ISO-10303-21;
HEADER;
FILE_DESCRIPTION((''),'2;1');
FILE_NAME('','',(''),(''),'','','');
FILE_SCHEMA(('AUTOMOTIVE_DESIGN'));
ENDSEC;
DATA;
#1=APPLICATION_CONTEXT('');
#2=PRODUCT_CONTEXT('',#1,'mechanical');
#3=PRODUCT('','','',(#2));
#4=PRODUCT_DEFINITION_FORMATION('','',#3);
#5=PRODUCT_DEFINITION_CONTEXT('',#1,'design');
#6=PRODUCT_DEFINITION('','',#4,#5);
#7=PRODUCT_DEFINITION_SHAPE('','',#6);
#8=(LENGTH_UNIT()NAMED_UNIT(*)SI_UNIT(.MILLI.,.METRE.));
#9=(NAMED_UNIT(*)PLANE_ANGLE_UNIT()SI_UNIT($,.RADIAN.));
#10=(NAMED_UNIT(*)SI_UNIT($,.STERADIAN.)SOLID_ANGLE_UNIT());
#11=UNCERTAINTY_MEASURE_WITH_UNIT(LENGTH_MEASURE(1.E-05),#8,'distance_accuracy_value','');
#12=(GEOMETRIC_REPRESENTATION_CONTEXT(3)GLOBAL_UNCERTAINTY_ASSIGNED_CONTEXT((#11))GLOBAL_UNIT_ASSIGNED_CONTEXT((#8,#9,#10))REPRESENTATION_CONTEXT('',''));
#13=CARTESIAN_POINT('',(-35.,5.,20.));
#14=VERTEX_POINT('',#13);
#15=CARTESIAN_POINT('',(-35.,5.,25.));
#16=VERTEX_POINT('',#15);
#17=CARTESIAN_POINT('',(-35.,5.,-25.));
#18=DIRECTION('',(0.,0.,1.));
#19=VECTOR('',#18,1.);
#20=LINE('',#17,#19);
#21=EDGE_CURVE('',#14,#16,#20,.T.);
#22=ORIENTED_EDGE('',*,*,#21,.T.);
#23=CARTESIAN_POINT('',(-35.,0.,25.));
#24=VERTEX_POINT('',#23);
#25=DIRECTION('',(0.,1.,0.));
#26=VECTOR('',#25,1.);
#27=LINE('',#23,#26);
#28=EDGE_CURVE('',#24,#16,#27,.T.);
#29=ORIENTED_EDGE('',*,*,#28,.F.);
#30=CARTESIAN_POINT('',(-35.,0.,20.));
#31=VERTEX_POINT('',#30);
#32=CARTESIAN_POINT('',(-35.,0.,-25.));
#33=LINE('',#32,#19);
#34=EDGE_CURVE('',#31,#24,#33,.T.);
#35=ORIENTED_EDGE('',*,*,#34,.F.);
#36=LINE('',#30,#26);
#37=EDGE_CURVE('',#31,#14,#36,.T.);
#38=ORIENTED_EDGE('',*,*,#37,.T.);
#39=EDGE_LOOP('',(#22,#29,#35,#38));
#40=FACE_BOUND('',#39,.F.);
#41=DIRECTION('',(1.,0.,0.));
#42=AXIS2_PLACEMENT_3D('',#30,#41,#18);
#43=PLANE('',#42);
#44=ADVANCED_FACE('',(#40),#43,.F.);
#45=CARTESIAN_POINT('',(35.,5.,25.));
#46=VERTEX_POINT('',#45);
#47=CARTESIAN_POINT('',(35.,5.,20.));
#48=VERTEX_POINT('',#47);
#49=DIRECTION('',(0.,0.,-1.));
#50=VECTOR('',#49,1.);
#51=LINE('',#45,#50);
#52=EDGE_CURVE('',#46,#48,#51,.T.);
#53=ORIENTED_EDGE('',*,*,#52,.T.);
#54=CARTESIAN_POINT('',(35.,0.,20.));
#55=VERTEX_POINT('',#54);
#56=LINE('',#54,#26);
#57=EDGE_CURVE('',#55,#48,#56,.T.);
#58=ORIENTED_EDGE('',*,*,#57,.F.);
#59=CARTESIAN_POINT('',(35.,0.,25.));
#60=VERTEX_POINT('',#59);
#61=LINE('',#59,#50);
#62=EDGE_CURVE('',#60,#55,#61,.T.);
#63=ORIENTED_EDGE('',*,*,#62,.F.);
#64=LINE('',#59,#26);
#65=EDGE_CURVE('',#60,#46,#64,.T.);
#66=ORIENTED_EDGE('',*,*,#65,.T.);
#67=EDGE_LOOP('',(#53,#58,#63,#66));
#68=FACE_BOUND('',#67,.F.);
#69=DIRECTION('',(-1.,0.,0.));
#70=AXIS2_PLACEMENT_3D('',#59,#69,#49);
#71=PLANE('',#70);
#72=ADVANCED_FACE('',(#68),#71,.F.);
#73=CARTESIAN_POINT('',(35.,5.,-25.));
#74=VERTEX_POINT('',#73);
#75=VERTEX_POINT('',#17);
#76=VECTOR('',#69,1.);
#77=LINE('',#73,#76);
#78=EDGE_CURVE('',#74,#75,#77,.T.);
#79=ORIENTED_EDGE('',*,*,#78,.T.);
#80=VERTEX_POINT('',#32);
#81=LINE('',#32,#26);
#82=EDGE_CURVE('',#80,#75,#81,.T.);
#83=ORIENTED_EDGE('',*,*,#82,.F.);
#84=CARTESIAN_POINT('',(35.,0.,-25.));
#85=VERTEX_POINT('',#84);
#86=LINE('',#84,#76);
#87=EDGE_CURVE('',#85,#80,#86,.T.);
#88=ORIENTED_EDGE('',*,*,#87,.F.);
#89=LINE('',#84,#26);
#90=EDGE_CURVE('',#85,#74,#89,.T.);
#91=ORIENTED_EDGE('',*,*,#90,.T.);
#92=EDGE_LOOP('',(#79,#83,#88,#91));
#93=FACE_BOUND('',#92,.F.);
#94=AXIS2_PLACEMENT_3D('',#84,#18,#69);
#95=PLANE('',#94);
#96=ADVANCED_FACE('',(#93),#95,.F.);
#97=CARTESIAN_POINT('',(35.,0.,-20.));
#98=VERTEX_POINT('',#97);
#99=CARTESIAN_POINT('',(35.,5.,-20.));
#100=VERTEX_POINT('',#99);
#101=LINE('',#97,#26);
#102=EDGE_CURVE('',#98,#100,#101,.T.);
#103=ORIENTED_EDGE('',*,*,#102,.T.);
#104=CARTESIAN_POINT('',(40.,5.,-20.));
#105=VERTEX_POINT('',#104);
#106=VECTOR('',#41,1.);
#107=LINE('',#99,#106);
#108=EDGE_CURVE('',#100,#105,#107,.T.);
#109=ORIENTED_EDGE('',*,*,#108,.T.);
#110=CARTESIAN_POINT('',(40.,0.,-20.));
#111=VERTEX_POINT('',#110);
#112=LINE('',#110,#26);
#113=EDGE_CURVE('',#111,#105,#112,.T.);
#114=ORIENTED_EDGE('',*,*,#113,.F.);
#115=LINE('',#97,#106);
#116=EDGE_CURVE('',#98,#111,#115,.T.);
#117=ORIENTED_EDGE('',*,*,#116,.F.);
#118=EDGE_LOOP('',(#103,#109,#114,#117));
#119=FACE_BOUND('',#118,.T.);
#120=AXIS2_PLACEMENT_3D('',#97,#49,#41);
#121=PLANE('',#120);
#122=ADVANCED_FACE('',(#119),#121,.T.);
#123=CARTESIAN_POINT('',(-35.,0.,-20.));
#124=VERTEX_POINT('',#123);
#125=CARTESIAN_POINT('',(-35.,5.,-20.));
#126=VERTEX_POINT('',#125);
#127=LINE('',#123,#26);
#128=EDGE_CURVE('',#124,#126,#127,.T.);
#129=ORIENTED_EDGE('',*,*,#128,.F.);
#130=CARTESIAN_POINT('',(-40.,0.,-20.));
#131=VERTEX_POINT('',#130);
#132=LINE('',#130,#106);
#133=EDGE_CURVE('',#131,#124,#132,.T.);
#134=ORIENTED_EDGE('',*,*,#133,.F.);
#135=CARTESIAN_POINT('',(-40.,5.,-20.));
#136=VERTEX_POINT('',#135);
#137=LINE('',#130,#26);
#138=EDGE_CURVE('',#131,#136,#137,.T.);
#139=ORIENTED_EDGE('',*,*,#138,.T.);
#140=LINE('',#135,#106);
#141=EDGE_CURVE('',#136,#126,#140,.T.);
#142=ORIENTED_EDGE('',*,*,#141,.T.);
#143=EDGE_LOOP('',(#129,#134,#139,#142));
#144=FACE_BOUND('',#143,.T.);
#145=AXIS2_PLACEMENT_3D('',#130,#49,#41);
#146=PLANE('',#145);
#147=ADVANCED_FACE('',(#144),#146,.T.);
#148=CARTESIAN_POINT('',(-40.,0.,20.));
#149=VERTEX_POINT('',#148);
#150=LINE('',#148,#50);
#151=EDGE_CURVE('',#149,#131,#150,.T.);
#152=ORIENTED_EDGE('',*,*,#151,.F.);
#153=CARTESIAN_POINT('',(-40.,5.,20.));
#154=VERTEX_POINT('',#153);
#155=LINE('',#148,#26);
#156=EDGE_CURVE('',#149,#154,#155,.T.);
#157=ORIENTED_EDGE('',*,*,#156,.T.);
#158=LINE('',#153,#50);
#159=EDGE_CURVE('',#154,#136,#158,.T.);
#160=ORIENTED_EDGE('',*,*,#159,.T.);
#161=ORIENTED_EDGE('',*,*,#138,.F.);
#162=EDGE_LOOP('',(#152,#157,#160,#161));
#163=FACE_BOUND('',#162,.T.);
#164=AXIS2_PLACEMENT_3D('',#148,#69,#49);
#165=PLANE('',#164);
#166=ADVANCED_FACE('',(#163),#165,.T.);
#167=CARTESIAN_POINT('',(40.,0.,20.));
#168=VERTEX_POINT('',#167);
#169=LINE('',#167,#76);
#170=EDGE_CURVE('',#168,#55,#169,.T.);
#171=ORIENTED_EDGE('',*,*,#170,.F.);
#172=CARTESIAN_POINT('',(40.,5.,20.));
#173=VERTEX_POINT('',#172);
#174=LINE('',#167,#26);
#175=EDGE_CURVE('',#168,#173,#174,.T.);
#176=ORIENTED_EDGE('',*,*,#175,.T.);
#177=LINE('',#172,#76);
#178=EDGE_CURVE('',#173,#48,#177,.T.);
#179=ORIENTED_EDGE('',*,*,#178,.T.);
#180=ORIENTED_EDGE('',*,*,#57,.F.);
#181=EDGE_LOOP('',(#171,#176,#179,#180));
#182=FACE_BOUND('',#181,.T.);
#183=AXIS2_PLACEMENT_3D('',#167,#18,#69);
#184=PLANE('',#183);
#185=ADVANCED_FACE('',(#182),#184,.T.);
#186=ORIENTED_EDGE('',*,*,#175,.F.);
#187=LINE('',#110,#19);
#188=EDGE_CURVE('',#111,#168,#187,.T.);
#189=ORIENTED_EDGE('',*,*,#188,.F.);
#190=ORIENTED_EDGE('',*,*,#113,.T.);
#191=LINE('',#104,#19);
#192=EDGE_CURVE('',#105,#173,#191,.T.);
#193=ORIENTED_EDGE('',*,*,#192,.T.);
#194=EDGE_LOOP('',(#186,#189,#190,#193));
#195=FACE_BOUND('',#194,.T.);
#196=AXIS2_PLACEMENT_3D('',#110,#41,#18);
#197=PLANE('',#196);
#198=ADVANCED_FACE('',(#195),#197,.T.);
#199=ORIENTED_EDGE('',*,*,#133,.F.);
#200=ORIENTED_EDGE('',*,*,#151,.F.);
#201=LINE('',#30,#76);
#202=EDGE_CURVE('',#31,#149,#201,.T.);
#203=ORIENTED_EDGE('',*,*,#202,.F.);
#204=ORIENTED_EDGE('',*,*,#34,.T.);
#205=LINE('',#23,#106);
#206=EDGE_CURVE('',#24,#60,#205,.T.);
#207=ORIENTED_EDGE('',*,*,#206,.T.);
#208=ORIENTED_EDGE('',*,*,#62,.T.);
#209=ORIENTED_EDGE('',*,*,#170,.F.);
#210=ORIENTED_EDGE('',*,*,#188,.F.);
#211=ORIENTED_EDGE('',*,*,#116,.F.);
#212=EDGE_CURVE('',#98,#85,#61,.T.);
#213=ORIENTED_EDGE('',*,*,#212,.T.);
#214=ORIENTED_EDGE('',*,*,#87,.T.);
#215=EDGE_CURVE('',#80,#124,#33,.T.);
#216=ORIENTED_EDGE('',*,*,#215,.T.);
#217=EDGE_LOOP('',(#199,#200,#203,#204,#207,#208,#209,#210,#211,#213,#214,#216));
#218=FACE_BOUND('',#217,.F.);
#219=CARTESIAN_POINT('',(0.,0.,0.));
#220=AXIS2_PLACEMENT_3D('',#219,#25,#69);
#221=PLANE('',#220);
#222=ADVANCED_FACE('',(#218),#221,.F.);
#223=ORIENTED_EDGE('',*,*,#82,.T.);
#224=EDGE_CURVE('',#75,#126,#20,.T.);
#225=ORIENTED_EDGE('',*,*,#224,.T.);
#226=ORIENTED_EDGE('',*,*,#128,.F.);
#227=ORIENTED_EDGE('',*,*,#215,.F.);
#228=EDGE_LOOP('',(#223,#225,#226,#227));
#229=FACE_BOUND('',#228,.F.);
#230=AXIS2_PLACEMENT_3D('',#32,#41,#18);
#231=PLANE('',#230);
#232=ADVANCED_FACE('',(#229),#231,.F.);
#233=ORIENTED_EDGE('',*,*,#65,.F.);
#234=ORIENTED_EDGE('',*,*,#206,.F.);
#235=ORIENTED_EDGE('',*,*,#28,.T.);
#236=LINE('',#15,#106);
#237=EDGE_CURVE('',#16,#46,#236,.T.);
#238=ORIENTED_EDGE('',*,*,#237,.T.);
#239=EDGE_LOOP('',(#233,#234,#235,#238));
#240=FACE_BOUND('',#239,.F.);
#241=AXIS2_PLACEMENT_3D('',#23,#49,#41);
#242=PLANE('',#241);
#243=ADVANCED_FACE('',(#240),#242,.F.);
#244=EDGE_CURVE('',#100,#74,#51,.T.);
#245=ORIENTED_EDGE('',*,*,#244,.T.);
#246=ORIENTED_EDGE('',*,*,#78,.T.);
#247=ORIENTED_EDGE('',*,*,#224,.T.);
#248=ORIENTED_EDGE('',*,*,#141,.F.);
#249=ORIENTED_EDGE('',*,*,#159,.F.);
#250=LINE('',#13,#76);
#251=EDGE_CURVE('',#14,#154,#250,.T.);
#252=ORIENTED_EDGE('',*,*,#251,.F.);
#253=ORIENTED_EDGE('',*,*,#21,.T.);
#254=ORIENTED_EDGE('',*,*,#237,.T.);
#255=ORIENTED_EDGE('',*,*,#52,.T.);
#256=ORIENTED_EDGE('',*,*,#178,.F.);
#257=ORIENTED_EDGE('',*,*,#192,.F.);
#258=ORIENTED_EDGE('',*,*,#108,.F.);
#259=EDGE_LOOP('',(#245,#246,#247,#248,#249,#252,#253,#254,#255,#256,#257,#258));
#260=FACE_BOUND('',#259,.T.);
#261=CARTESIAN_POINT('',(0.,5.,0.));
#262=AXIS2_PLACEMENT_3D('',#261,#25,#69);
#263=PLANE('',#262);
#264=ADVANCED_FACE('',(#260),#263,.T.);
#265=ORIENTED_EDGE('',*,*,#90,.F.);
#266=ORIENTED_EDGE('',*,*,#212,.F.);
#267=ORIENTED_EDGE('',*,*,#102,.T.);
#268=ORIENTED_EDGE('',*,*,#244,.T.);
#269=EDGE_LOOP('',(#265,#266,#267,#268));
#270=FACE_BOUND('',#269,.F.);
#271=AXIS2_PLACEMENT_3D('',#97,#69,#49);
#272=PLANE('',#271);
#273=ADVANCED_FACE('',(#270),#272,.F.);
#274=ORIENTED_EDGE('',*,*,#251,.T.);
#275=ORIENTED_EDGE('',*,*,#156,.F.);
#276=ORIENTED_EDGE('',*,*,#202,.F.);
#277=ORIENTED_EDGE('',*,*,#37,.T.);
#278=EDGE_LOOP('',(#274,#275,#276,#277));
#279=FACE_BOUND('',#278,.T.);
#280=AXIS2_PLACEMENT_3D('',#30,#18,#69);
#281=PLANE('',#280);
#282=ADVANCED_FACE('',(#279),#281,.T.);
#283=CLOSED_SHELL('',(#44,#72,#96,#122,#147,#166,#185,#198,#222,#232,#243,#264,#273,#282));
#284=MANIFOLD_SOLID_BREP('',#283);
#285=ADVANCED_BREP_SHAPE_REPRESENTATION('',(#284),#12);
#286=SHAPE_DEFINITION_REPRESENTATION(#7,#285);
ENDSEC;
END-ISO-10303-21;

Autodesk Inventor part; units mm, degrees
ref_plane "YZ Plane" through (0, 0, 0) normal (1, 0, 0) x (0, 1, 0)
ref_plane "XZ Plane" through (0, 0, 0) normal (0, 1, 0) x (-1, 0, 0)
ref_plane "XY Plane" through (0, 0, 0) normal (0, 0, 1) x (1, 0, 0)
sketch "Sketch1" plane through (0, 0, 0) normal (0, 1, 0) x (-1, 0, 0)
  line L0 (35, 25) -> (-35, 25)
  line L1 (-35, 25) -> (-35, -25)
  line L2 (-35, -25) -> (35, -25)
  line L3 (35, -25) -> (35, 25)
  line L4 (35, 25) -> (-35, -25) construction
  line L5 (-35, 25) -> (35, -25) construction
  line L6 (40, -20) -> (35, -20)
  line L7 (35, -20) -> (35, 20)
  line L8 (35, 20) -> (40, 20)
  line L9 (40, 20) -> (40, -20)
  line L10 (40, -20) -> (35, 20) construction
  line L11 (35, -20) -> (40, 20) construction
  line L12 (-35, -20) -> (-40, -20)
  line L13 (-40, -20) -> (-40, 20)
  line L14 (-40, 20) -> (-35, 20)
  line L15 (-35, 20) -> (-35, -20)
  line L16 (-35, -20) -> (-40, 20) construction
  line L17 (-40, -20) -> (-35, 20) construction
  line L18 (35, 0) -> (0, 0)
  line L19 (37.5, 0) -> (40, 0) construction
  line L20 (-37.5, 0) -> (-35, 0) construction
  point P0 (35, -20)
  point P1 (-35, 20)
  point P2 (-35, -20)
  dimension "d0" = 5
  dimension "d1" = 5
  dimension "d2" = 40
  dimension "d3" = 50
  dimension "d4" = 40
  dimension "d5" = 70
extrude "Extrusion1" add sketch "Sketch1" along normal blind 5
properties part number "Moving Carousel Wall"
